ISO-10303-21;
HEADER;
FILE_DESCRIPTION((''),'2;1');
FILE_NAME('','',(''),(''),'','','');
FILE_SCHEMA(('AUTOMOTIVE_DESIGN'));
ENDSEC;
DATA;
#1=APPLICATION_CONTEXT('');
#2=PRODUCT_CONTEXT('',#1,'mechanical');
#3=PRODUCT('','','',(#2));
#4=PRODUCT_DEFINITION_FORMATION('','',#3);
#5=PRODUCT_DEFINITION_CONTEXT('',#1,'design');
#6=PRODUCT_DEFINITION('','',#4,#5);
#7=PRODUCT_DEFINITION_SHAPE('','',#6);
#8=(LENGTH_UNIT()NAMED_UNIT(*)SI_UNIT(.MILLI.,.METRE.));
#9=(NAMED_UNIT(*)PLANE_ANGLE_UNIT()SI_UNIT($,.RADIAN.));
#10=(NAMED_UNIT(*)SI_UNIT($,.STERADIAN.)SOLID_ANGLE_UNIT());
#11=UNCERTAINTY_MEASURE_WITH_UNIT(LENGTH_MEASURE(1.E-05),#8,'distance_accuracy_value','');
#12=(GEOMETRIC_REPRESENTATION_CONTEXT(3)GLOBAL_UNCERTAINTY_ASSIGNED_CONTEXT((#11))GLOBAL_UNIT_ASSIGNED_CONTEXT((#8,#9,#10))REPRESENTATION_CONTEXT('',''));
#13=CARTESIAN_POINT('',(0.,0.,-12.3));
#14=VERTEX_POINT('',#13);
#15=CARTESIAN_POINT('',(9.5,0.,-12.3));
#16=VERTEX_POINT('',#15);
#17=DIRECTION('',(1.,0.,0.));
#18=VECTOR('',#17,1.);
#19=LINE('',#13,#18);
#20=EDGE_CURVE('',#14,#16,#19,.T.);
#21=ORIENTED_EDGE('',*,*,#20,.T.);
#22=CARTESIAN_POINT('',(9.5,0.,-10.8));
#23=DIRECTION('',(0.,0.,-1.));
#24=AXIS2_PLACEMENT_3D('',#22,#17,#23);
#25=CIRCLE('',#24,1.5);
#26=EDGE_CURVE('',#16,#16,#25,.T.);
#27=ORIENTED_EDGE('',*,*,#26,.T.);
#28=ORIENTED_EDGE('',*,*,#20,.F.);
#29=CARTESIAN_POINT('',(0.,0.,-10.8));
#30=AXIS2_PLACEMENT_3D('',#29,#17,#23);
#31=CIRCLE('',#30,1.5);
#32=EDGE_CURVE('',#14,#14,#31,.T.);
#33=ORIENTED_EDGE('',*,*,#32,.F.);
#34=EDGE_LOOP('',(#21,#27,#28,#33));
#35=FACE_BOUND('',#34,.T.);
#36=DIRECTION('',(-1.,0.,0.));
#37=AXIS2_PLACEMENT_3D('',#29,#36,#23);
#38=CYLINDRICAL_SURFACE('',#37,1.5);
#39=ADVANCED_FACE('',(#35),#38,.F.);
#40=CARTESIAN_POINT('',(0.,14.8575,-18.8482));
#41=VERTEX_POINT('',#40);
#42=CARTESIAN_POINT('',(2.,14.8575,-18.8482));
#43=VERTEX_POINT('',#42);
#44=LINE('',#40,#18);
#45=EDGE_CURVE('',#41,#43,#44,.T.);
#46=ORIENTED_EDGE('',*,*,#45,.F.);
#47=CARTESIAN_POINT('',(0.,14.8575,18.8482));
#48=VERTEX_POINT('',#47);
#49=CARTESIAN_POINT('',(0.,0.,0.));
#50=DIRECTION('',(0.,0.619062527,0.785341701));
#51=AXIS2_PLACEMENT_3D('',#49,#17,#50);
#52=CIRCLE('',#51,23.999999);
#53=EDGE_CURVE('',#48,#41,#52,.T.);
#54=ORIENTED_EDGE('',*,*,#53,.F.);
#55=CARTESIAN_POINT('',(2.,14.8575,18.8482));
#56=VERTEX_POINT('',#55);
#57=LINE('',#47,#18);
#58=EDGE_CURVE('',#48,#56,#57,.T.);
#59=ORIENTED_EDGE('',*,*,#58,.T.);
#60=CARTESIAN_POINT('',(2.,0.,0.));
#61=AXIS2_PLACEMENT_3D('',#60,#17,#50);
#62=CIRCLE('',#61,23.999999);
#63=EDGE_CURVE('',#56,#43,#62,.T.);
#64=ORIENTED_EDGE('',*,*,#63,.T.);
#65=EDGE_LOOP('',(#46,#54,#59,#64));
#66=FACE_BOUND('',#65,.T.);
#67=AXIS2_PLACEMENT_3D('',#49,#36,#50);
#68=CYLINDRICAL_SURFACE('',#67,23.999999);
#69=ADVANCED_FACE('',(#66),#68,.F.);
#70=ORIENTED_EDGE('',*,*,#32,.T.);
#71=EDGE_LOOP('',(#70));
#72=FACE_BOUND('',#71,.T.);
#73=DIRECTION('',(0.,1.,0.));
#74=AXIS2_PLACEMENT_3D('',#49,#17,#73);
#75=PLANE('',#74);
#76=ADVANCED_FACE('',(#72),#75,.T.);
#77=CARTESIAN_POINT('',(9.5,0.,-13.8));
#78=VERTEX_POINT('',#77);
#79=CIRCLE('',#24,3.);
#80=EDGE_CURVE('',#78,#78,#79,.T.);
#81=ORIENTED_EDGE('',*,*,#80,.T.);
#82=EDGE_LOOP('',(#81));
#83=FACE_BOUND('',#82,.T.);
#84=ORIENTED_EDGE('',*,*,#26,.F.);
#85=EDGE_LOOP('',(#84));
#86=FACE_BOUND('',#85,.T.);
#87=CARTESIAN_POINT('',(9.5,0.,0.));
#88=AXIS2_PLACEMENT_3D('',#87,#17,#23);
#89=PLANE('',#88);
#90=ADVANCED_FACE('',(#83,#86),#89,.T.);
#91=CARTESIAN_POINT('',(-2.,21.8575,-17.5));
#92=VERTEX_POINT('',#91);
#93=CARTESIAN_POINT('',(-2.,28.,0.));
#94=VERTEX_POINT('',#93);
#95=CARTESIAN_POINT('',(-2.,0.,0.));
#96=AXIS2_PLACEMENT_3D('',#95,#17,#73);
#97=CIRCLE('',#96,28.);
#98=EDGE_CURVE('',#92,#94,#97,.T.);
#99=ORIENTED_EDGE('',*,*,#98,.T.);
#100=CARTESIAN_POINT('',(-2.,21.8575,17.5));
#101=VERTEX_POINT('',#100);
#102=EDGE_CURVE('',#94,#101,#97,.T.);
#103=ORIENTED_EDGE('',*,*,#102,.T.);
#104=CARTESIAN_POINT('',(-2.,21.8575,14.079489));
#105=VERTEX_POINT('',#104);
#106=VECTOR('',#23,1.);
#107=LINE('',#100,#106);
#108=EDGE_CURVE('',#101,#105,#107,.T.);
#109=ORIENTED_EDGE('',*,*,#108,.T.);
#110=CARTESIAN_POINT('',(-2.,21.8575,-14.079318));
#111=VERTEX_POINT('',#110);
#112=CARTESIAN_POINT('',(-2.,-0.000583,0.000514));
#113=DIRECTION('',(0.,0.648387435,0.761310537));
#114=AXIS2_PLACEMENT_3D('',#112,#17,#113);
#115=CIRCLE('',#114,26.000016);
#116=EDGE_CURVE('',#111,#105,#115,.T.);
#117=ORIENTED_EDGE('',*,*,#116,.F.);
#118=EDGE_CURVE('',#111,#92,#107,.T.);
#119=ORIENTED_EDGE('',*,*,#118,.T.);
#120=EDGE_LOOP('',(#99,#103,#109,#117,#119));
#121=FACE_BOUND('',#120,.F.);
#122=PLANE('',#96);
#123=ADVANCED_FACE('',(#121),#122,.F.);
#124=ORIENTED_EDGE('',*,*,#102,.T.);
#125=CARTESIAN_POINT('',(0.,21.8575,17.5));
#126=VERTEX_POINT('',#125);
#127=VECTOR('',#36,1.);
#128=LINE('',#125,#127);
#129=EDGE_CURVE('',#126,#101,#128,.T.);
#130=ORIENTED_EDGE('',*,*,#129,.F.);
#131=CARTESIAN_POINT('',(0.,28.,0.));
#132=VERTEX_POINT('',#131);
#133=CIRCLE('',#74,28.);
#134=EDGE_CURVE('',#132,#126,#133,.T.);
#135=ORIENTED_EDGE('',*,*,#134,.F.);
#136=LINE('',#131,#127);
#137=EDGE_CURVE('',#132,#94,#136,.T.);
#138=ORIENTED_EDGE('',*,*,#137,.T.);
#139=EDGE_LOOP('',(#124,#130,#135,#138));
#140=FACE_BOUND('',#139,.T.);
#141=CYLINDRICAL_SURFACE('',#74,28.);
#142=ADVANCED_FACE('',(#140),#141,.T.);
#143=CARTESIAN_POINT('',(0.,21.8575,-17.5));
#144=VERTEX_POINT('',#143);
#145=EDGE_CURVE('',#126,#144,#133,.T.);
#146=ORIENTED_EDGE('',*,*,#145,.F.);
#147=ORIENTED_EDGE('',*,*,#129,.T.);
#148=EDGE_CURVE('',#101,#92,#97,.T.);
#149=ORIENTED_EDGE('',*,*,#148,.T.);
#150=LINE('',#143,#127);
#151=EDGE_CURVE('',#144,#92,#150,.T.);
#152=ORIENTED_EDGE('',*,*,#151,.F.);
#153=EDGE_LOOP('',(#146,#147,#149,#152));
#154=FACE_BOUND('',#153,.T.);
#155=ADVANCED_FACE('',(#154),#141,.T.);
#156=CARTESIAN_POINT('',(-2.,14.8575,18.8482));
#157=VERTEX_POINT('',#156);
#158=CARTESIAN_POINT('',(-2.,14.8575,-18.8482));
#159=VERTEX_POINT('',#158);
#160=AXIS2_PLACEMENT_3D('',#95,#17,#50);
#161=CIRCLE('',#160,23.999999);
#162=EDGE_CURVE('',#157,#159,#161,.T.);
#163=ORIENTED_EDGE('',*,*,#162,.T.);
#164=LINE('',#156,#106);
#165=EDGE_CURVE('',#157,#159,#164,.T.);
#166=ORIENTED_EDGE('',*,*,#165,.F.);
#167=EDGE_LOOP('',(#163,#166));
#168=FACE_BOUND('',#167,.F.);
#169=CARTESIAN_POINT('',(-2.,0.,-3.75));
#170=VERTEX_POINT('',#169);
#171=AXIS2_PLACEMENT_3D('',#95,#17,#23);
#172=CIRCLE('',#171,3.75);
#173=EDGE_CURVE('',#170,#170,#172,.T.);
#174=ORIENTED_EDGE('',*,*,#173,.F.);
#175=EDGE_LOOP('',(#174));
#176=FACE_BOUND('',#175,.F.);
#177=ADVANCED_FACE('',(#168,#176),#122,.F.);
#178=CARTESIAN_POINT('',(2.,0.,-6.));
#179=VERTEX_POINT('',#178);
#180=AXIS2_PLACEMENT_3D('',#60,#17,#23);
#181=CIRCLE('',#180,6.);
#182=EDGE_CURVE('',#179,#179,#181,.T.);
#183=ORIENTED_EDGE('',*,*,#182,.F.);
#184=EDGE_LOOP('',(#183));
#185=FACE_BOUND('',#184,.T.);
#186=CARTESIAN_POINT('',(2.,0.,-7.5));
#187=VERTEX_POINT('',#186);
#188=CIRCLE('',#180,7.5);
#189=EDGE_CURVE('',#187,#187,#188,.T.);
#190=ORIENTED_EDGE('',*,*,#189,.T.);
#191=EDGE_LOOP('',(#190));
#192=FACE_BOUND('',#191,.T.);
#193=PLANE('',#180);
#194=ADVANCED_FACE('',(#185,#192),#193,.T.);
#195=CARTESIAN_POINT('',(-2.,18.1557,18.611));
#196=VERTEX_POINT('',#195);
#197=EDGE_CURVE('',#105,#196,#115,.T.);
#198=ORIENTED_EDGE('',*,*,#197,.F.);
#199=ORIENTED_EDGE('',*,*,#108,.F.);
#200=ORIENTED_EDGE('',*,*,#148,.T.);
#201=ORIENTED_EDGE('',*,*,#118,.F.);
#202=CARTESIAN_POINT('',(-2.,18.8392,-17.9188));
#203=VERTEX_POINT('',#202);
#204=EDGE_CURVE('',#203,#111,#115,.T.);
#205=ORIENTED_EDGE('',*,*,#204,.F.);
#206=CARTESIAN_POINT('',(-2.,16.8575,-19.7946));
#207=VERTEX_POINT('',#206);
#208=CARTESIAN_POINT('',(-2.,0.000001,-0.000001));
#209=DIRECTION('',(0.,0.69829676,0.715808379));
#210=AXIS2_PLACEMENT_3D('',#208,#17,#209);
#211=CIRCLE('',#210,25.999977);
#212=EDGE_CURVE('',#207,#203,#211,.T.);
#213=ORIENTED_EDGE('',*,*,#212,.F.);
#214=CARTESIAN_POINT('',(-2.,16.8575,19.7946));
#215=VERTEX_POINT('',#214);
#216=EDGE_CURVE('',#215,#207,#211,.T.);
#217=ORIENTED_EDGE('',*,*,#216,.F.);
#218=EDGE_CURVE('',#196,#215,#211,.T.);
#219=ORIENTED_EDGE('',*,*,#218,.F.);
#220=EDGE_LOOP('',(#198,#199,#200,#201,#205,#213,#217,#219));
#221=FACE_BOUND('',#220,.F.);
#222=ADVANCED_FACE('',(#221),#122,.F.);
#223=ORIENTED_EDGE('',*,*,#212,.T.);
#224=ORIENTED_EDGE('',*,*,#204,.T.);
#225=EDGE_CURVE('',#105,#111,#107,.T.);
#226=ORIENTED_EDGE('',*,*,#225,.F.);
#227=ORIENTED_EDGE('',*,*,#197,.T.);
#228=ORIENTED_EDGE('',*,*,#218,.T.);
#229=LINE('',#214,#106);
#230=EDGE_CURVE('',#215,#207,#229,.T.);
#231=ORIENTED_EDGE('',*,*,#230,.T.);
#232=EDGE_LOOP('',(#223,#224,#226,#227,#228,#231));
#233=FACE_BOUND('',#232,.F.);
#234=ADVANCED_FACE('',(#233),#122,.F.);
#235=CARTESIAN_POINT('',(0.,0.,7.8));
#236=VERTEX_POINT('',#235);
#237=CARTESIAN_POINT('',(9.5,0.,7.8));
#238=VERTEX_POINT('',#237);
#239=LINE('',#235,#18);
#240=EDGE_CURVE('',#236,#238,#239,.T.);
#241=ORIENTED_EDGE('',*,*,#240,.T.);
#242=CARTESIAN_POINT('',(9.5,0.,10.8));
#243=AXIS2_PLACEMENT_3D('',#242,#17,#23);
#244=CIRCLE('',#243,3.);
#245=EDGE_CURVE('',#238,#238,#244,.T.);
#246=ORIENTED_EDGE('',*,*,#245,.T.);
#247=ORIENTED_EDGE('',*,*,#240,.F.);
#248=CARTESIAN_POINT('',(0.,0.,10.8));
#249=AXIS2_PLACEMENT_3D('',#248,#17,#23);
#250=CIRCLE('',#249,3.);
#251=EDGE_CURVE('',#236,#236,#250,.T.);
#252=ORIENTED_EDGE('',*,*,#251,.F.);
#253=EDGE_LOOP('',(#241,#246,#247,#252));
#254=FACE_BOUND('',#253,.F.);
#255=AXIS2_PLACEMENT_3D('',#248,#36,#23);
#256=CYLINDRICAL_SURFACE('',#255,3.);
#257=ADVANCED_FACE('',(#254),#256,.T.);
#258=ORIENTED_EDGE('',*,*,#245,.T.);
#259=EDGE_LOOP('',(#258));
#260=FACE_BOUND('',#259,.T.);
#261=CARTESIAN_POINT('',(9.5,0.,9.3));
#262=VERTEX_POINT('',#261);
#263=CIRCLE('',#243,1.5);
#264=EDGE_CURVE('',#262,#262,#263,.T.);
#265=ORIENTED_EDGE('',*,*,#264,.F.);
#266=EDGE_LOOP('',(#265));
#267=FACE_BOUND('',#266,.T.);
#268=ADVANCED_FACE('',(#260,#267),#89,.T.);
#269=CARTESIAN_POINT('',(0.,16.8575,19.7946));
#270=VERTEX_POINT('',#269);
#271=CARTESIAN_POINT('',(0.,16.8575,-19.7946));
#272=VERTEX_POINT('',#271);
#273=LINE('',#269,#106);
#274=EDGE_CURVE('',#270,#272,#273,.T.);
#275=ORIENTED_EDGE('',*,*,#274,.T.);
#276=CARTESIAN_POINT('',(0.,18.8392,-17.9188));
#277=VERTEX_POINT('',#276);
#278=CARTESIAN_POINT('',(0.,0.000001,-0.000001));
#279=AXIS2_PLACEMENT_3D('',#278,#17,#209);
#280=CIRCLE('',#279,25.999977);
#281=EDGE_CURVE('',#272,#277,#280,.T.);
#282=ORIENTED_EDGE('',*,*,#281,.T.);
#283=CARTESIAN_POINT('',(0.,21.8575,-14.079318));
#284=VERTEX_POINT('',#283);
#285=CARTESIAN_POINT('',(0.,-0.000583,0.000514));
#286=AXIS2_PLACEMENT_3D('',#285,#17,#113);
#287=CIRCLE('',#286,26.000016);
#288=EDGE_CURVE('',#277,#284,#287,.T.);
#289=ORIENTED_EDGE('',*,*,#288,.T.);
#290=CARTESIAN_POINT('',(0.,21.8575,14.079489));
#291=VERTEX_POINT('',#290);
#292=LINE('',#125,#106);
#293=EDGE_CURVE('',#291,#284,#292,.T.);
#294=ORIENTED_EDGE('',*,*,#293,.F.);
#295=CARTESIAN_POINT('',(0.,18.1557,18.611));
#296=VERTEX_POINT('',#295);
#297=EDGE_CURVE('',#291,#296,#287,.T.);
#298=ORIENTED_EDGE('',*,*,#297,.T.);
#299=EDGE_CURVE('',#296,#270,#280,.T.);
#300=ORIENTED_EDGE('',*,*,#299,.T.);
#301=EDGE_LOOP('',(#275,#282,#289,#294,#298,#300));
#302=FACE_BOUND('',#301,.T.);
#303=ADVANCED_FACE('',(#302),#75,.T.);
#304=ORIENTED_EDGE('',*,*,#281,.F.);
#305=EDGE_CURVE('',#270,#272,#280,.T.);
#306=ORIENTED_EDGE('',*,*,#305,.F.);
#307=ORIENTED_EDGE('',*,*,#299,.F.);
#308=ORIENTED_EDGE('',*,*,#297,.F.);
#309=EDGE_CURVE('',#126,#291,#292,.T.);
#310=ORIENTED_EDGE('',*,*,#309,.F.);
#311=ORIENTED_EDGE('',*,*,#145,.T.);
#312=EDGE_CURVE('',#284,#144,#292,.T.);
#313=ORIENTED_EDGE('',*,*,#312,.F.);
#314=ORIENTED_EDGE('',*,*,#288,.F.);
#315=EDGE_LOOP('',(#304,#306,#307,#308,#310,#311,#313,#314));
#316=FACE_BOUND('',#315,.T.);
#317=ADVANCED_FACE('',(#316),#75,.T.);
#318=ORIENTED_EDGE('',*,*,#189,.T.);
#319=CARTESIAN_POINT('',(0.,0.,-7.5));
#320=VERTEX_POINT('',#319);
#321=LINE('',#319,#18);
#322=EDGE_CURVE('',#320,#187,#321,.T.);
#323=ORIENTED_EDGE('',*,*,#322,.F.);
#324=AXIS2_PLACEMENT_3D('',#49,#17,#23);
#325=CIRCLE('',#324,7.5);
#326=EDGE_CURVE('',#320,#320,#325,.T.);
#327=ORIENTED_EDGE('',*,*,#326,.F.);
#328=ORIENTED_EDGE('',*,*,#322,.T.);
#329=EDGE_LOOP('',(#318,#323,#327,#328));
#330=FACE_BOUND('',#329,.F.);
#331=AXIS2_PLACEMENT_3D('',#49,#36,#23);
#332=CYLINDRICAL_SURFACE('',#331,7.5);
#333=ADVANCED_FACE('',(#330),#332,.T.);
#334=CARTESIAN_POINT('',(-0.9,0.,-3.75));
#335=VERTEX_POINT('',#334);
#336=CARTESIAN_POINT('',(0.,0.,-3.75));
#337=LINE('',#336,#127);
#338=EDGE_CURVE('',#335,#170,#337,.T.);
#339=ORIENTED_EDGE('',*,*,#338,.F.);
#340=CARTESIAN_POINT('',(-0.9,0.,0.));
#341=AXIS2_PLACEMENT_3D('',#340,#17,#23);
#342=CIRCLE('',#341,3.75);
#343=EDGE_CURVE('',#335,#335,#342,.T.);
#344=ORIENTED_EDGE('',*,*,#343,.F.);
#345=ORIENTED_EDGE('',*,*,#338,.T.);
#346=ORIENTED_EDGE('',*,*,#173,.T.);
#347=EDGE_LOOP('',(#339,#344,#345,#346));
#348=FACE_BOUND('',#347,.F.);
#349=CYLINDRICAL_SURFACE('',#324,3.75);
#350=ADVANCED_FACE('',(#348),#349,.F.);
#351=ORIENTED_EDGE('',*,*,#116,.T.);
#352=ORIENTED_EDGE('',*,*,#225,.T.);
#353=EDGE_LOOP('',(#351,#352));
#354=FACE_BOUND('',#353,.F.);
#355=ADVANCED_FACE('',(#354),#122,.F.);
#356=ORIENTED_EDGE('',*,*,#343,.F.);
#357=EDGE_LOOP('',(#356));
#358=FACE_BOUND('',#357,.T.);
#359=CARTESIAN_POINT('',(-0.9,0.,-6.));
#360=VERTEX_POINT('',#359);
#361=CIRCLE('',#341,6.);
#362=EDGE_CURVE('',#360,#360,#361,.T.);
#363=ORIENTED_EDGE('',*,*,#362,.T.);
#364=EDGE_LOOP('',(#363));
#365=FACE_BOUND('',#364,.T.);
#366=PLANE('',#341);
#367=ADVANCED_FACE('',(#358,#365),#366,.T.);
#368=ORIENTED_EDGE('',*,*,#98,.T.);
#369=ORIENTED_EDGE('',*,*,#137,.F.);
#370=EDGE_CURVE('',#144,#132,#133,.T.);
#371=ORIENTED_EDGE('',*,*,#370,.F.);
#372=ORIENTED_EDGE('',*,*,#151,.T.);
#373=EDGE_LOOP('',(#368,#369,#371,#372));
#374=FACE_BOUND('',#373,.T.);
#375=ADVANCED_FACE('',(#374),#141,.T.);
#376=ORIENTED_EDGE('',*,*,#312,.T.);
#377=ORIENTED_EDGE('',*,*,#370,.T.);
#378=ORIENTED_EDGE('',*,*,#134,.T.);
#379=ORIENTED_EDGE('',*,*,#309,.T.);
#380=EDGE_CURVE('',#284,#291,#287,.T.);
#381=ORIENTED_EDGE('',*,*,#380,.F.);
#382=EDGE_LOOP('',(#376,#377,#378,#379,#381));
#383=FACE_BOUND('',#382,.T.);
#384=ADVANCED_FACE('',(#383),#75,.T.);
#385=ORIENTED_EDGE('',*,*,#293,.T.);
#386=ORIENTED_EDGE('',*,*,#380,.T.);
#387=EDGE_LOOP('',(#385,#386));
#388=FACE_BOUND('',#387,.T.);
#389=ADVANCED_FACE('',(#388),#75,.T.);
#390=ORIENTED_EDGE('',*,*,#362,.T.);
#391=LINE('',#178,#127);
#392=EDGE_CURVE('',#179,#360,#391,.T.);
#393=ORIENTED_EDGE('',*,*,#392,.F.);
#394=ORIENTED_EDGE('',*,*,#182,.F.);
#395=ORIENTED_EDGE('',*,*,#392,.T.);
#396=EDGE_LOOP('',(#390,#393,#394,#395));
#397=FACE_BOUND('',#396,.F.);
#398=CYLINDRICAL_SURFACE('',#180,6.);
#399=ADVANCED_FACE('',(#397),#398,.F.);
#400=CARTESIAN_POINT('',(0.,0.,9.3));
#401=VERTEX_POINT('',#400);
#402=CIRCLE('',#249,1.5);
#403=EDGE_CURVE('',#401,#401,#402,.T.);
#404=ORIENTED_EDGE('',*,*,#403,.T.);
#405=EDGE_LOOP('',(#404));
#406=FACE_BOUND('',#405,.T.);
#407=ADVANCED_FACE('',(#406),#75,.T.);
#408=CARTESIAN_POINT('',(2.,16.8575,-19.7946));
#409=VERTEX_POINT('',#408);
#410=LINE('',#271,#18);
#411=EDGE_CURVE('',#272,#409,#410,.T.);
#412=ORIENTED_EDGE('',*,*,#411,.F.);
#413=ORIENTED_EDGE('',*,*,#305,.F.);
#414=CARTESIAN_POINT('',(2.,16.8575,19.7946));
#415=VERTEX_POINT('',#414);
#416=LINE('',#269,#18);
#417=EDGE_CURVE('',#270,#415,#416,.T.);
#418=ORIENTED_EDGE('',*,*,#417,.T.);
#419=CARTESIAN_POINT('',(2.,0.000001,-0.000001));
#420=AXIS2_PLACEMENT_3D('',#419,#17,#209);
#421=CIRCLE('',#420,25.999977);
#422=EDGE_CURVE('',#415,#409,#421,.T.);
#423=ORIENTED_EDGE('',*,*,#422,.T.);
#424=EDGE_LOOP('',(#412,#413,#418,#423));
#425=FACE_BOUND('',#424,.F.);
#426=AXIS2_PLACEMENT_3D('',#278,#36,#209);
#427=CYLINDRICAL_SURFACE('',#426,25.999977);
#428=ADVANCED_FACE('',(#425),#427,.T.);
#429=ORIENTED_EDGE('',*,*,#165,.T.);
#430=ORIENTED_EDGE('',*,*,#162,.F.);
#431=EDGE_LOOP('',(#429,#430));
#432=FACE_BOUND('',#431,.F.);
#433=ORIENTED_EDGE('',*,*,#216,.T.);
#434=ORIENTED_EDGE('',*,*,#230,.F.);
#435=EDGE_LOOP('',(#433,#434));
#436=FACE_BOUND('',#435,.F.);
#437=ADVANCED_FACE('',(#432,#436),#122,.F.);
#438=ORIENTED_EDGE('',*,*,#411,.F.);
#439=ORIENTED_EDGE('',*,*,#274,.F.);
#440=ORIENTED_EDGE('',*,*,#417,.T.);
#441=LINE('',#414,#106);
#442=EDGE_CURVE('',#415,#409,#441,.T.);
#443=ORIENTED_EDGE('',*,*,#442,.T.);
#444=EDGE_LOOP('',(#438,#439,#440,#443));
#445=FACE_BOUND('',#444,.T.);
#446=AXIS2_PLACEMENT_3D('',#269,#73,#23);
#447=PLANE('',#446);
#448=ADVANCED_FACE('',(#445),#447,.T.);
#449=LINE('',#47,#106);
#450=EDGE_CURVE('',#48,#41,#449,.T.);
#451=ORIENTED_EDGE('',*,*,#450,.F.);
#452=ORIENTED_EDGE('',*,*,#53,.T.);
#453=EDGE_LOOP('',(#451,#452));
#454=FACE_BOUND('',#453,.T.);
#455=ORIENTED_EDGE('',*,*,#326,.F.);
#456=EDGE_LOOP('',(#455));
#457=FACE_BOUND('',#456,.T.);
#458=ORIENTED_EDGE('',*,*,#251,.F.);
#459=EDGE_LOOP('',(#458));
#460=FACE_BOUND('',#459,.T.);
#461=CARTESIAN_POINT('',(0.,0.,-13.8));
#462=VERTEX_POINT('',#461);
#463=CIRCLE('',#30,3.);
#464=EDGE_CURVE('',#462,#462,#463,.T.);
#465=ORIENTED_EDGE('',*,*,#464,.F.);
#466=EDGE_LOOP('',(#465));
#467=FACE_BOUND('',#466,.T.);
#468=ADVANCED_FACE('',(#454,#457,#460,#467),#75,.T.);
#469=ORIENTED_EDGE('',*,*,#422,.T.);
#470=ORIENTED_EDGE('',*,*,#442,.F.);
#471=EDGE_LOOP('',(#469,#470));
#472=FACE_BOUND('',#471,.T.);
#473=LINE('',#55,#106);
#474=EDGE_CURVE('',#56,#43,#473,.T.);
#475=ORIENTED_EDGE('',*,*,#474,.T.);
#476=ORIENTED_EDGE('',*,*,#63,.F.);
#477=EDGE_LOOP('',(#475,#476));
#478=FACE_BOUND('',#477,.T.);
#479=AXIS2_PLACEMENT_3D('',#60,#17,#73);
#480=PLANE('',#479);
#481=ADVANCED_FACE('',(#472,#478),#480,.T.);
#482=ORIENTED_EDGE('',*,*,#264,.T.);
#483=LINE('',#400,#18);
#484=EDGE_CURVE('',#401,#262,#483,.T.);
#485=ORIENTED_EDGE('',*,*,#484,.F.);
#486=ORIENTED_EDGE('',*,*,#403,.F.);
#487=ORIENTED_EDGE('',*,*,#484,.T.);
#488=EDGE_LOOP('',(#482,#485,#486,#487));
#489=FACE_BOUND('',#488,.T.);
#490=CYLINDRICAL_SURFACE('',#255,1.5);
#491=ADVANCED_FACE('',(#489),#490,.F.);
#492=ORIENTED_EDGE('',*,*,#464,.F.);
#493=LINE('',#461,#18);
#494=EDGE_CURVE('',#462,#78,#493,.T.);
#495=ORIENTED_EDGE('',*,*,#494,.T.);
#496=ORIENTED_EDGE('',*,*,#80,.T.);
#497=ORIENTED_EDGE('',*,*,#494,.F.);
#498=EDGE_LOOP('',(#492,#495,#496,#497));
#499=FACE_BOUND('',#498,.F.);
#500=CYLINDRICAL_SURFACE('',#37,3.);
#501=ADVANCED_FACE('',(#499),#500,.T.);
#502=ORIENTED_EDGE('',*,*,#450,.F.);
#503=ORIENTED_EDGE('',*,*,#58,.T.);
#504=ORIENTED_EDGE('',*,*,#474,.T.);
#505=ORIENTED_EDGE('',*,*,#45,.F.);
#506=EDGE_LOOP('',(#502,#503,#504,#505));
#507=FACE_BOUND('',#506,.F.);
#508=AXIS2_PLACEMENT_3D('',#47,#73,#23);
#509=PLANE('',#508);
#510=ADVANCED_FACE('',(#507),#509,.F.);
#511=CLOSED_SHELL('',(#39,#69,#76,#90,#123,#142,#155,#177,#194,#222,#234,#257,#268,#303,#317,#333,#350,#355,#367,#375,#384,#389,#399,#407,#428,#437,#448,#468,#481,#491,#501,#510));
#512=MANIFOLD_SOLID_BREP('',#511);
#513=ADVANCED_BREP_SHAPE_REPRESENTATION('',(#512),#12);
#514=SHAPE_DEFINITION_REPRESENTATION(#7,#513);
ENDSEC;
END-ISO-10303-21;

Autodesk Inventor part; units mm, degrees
ref_plane "YZ Plane" through (0, 0, 0) normal (1, 0, 0) x (0, 1, 0)
ref_plane "XZ Plane" through (0, 0, 0) normal (0, 1, 0) x (-1, 0, 0)
ref_plane "XY Plane" through (0, 0, 0) normal (0, 0, 1) x (1, 0, 0)
sketch "スケッチ1" plane through (0, 0, 0) normal (1, 0, 0) x (0, 1, 0)
  circle A0 centre (0, 0) radius 28
  line L0 (16.8575, 19.7946) -> (16.8575, -19.7946)
  line L1 (14.8575, 18.8482) -> (14.8575, -18.8482)
  arc A1 (18.1557, 18.611) -> (18.8392, -17.9188) centre (0, 0) ccw
  arc A2 (14.8575, 18.8482) -> (14.8575, -18.8482) centre (0, 0) ccw
  arc A3 (16.8575, 19.7946) -> (18.1557, 18.611) centre (0, 0) ccw
  arc A4 (18.8392, -17.9188) -> (16.8575, -19.7946) centre (0, 0) ccw
  line L2 (16.8575, 19.7946) -> (16.8575, -19.7946)
  line L3 (21.8575, 17.5) -> (21.8575, -17.5)
  dimension "d0" = 56
  dimension "d1" = 2
  dimension "d2" = 2
  dimension "d3" = 2
  dimension "d4" = 35
  dimension "d5" = 5
extrude "押し出し1" add sketch "スケッチ1" against normal blind 2 contours A0 L3 A3 | L3 A3 A1 A0 | L3 A3 A1 L0 | A3 L3 | L0 A1 | L1 A2
extrude "押し出し2" add sketch "スケッチ1" along normal blind 2 contours L0 A1
sketch "スケッチ2" plane through (0, 0, 0) normal (1, 0, 0) x (0, 0, -1)
  circle A0 centre (0, 0) radius 3.75
  circle A1 centre (0, 0) radius 7.5
  dimension "d10" = 7.5
  dimension "d11" = 15
extrude "押し出し3" cut sketch "スケッチ2" against normal blind 2 contours A0
extrude "押し出し4" add sketch "スケッチ2" along normal blind 2
sketch "スケッチ3" plane through (2, 0, 0) normal (1, 0, 0) x (0, 0, -1)
  circle A0 centre (0, 0) radius 6
  dimension "d16" = 12
extrude "押し出し5" cut sketch "スケッチ3" against normal blind 2.9
sketch "スケッチ4" plane through (0, 0, 0) normal (1, 0, 0) x (0, 0, -1)
  circle A0 centre (-10.8, 0) radius 3
  circle A1 centre (10.8, 0) radius 3
  circle A2 centre (-10.8, 0) radius 1.5
  circle A3 centre (10.8, 0) radius 1.5
  circle A4 centre (0, 0) radius 3.75 projected
  dimension "d19" = 6
  dimension "d20" = 6
  dimension "d21" = 3
  dimension "d22" = 3
  dimension "d23" = 10.8
  dimension "d25" = 21.6
  dimension "d26" = 10.8
extrude "押し出し6" add sketch "スケッチ4" along normal blind 9.5 contours A0 | A1
properties part number "turn2Part"
